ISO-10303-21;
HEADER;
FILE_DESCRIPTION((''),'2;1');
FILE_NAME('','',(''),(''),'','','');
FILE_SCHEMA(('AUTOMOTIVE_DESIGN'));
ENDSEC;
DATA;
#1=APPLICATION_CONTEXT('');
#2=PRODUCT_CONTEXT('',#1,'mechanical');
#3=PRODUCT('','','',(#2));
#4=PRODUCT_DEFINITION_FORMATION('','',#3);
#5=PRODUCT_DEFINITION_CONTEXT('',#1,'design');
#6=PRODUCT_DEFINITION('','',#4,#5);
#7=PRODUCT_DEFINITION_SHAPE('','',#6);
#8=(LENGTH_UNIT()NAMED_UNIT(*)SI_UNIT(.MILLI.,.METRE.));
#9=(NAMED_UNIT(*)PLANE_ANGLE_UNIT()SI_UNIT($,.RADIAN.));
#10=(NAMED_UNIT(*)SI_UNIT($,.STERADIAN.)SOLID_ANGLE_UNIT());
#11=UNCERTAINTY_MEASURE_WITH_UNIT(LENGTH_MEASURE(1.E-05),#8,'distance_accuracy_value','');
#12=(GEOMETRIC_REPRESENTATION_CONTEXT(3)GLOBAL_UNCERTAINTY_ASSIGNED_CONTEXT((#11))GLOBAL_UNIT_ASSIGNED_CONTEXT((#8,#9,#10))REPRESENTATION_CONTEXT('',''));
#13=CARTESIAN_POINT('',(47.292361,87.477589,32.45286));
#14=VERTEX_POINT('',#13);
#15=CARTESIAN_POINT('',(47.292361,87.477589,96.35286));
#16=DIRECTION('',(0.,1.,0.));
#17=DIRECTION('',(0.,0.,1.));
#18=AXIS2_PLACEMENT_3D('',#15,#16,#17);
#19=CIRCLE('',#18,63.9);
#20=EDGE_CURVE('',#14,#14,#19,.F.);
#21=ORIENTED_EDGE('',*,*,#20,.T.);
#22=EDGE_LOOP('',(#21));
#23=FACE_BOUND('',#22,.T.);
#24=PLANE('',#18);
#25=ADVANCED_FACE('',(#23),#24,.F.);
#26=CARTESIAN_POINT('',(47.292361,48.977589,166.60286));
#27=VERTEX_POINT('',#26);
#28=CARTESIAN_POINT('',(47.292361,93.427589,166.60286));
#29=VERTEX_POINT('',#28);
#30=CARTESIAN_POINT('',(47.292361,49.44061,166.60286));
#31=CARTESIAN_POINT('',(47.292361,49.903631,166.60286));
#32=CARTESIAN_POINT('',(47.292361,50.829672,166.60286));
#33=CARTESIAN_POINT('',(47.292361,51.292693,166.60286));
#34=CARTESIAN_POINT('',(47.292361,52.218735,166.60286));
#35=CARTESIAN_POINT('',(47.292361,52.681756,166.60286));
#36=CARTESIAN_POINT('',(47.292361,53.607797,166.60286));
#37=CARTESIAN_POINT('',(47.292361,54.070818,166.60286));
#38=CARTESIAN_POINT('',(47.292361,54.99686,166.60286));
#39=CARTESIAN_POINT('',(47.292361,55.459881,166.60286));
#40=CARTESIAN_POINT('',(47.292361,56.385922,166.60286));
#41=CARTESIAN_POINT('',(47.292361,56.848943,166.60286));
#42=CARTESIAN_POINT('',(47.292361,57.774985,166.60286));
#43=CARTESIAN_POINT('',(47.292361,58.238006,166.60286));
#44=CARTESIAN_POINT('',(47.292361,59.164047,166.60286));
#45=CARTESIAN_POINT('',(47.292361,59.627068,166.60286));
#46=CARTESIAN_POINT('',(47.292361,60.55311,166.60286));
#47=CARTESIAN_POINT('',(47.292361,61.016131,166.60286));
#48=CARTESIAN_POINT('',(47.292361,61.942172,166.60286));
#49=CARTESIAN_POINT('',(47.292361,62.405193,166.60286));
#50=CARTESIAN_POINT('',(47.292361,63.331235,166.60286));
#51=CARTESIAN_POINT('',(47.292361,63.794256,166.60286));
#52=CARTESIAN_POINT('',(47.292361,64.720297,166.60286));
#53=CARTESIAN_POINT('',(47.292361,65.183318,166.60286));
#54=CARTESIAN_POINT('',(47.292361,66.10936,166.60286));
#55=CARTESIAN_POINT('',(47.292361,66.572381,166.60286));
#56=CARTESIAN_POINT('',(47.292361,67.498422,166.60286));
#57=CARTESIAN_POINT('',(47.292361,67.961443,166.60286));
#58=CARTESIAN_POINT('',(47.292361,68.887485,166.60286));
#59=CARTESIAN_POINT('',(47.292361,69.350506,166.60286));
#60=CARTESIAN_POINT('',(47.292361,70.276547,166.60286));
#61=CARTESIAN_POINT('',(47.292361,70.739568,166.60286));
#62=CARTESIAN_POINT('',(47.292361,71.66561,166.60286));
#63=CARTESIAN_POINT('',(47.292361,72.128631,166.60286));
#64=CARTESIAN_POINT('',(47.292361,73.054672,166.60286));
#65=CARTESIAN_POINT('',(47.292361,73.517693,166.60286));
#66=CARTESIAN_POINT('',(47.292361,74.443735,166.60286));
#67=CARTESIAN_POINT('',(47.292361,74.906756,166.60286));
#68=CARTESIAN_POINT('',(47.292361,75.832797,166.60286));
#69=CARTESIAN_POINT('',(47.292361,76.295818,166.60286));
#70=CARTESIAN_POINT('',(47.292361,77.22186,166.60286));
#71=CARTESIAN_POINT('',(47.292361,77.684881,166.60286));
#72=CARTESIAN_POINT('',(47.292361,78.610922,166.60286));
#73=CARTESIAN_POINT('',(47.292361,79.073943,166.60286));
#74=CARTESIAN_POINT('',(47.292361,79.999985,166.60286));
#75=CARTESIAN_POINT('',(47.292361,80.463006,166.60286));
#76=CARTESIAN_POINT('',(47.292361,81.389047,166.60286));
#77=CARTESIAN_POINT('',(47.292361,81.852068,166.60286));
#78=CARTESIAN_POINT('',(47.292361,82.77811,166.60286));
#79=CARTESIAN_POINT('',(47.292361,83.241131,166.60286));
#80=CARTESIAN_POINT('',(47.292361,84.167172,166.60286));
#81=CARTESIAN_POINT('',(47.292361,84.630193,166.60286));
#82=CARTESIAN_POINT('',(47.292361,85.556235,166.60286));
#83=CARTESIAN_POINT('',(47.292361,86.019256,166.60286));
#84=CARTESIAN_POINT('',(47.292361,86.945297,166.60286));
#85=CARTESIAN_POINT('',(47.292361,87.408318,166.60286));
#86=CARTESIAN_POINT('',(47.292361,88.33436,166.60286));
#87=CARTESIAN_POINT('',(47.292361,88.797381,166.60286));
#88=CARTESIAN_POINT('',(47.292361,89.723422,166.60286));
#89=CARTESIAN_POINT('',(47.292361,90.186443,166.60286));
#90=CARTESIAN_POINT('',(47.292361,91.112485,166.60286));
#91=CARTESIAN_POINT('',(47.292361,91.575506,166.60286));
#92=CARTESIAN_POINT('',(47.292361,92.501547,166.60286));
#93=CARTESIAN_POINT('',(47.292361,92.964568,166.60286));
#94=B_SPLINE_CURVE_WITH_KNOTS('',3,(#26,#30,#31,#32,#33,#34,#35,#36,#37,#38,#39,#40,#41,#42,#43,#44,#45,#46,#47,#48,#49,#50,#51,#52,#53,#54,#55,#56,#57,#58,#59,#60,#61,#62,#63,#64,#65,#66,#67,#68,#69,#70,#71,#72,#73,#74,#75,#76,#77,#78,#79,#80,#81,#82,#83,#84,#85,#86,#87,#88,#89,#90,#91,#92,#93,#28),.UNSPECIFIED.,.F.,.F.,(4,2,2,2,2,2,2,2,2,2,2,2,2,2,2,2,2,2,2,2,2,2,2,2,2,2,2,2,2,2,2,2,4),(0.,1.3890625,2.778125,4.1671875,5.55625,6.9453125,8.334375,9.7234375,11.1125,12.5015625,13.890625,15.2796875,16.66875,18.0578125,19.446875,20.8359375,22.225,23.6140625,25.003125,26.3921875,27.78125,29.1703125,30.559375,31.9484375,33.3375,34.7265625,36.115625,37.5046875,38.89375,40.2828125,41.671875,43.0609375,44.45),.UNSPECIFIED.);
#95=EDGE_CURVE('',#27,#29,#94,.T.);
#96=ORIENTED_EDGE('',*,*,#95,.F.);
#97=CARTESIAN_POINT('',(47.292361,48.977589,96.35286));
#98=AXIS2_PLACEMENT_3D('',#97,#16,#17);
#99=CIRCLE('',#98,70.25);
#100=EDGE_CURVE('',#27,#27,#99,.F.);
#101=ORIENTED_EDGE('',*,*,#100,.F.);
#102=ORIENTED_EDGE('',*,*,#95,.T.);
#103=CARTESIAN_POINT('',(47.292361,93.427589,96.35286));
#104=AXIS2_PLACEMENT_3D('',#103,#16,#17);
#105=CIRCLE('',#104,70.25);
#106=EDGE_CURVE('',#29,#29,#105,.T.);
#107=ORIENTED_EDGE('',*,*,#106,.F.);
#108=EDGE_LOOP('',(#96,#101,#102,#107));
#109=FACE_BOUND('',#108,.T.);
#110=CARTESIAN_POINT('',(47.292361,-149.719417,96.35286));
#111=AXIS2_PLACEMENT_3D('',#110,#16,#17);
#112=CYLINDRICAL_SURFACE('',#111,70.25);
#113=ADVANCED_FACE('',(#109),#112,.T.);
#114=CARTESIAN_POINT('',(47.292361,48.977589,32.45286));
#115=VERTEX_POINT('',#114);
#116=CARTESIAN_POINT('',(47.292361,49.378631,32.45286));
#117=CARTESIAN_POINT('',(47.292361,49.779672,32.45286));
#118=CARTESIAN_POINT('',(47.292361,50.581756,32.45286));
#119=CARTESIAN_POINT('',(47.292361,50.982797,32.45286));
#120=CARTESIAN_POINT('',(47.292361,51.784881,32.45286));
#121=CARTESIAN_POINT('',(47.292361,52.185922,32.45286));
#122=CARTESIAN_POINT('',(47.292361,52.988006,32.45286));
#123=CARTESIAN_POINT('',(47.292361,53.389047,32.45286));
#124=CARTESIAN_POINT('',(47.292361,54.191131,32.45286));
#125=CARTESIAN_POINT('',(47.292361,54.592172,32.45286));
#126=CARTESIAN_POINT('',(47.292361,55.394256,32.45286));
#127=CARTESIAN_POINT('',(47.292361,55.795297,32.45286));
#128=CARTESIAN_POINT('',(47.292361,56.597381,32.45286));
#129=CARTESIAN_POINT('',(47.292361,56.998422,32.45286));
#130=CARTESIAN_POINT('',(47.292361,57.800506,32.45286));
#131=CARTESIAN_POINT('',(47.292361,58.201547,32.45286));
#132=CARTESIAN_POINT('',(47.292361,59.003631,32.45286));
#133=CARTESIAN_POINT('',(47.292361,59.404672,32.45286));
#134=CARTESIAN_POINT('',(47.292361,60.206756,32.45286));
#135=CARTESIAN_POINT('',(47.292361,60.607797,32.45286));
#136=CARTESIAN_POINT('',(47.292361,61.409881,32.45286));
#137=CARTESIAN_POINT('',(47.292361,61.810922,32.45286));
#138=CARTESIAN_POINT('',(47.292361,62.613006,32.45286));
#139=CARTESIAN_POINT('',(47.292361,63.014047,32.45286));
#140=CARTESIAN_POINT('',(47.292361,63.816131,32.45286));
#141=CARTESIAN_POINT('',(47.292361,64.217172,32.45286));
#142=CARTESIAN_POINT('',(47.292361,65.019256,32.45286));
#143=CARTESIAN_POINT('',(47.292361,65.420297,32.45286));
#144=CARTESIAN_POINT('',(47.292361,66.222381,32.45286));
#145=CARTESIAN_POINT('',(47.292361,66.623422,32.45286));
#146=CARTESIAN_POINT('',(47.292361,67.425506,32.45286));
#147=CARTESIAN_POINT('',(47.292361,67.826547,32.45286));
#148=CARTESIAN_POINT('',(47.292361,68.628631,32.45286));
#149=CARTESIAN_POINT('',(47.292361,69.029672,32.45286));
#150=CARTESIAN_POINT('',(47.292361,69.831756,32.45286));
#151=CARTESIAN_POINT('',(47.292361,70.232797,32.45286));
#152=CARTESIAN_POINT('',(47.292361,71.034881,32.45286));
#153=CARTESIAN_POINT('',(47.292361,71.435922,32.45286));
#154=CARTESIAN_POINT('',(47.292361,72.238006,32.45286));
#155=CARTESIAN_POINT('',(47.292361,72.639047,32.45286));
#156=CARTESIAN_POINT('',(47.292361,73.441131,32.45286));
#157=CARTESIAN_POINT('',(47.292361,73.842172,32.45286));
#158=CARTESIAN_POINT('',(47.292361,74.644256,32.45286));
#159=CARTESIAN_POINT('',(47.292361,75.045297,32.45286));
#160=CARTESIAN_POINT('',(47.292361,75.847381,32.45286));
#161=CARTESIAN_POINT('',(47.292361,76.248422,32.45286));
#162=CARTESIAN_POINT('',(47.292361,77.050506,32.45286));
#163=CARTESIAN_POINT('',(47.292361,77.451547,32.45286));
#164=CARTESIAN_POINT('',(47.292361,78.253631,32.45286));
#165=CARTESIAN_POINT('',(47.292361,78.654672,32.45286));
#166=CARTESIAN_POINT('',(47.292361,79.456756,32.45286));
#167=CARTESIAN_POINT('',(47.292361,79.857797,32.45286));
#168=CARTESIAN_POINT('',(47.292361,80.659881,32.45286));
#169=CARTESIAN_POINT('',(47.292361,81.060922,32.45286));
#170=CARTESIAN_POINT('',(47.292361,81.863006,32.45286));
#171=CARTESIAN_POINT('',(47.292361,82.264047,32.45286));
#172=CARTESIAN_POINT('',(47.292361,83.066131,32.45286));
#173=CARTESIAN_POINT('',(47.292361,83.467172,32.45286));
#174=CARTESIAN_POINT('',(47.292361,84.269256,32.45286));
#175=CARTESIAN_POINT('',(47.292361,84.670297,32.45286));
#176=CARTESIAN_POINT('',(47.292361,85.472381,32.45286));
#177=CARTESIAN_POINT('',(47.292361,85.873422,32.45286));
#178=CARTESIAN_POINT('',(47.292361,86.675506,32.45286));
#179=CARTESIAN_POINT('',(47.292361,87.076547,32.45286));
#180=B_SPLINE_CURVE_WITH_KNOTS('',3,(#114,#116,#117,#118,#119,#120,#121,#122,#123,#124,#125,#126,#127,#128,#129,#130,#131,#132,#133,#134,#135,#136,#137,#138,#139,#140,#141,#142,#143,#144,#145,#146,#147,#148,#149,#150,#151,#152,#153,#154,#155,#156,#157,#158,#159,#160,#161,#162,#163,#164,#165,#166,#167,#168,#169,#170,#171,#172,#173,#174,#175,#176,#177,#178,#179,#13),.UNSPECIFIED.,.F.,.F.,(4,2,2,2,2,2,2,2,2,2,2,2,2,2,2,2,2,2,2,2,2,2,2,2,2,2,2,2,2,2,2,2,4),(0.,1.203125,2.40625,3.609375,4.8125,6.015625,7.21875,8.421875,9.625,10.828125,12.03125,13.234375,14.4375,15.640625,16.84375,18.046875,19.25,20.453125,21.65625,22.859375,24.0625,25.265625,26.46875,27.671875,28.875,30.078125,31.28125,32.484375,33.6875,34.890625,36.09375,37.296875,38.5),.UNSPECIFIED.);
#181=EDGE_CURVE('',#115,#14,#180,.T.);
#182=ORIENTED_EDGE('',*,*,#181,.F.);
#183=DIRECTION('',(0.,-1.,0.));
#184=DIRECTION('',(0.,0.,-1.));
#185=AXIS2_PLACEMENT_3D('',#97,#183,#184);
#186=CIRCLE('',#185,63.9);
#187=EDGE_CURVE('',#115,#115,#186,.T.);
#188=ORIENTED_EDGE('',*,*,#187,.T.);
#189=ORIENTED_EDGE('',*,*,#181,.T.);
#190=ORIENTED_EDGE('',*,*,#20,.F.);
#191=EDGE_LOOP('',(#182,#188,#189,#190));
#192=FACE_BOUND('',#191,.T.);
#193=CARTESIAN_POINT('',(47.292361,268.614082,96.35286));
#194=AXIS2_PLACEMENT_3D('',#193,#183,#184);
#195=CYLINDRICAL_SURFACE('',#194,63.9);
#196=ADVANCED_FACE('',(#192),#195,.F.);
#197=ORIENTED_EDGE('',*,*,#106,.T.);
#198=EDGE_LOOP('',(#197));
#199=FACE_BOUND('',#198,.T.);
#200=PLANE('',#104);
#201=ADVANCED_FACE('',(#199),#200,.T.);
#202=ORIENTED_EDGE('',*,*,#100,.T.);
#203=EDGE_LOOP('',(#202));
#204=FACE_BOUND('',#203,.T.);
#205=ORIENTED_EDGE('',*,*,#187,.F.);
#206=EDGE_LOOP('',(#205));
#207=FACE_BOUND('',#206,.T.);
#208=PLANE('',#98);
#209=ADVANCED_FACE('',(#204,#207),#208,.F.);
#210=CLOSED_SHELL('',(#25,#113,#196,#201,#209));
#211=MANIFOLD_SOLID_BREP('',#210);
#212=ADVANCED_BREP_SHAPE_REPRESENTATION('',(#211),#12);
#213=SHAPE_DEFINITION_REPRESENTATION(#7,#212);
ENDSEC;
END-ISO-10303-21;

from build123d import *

# Parameters (mm, degrees)
SKETCH2_R           = 70.25
BOSS_EXTRUDE1_DEPTH = 44.45
SKETCH3_R           = 63.9
CUT_EXTRUDE1_DEPTH  = 38.5


with BuildPart() as part:
    # Sketch2 → Boss-Extrude1 (new body)
    with BuildSketch(Plane(origin=(0, 93.427588962, 0), x_dir=(1, 0, 0), z_dir=(0, 1, 0))):
        with Locations(Location((47.292360797, -96.352860024, 0), (0, 0, 270))):
            Circle(SKETCH2_R)
    extrude(amount=-BOSS_EXTRUDE1_DEPTH)

    # Sketch3 → Cut-Extrude1 (cut)
    with BuildSketch(Plane.XZ.offset(-48.977588962)):
        with Locations(Location((47.292360797, 96.352860024, 0), (0, 0, 270))):
            Circle(SKETCH3_R)
    extrude(amount=-CUT_EXTRUDE1_DEPTH, mode=Mode.SUBTRACT)


solid = part.part
